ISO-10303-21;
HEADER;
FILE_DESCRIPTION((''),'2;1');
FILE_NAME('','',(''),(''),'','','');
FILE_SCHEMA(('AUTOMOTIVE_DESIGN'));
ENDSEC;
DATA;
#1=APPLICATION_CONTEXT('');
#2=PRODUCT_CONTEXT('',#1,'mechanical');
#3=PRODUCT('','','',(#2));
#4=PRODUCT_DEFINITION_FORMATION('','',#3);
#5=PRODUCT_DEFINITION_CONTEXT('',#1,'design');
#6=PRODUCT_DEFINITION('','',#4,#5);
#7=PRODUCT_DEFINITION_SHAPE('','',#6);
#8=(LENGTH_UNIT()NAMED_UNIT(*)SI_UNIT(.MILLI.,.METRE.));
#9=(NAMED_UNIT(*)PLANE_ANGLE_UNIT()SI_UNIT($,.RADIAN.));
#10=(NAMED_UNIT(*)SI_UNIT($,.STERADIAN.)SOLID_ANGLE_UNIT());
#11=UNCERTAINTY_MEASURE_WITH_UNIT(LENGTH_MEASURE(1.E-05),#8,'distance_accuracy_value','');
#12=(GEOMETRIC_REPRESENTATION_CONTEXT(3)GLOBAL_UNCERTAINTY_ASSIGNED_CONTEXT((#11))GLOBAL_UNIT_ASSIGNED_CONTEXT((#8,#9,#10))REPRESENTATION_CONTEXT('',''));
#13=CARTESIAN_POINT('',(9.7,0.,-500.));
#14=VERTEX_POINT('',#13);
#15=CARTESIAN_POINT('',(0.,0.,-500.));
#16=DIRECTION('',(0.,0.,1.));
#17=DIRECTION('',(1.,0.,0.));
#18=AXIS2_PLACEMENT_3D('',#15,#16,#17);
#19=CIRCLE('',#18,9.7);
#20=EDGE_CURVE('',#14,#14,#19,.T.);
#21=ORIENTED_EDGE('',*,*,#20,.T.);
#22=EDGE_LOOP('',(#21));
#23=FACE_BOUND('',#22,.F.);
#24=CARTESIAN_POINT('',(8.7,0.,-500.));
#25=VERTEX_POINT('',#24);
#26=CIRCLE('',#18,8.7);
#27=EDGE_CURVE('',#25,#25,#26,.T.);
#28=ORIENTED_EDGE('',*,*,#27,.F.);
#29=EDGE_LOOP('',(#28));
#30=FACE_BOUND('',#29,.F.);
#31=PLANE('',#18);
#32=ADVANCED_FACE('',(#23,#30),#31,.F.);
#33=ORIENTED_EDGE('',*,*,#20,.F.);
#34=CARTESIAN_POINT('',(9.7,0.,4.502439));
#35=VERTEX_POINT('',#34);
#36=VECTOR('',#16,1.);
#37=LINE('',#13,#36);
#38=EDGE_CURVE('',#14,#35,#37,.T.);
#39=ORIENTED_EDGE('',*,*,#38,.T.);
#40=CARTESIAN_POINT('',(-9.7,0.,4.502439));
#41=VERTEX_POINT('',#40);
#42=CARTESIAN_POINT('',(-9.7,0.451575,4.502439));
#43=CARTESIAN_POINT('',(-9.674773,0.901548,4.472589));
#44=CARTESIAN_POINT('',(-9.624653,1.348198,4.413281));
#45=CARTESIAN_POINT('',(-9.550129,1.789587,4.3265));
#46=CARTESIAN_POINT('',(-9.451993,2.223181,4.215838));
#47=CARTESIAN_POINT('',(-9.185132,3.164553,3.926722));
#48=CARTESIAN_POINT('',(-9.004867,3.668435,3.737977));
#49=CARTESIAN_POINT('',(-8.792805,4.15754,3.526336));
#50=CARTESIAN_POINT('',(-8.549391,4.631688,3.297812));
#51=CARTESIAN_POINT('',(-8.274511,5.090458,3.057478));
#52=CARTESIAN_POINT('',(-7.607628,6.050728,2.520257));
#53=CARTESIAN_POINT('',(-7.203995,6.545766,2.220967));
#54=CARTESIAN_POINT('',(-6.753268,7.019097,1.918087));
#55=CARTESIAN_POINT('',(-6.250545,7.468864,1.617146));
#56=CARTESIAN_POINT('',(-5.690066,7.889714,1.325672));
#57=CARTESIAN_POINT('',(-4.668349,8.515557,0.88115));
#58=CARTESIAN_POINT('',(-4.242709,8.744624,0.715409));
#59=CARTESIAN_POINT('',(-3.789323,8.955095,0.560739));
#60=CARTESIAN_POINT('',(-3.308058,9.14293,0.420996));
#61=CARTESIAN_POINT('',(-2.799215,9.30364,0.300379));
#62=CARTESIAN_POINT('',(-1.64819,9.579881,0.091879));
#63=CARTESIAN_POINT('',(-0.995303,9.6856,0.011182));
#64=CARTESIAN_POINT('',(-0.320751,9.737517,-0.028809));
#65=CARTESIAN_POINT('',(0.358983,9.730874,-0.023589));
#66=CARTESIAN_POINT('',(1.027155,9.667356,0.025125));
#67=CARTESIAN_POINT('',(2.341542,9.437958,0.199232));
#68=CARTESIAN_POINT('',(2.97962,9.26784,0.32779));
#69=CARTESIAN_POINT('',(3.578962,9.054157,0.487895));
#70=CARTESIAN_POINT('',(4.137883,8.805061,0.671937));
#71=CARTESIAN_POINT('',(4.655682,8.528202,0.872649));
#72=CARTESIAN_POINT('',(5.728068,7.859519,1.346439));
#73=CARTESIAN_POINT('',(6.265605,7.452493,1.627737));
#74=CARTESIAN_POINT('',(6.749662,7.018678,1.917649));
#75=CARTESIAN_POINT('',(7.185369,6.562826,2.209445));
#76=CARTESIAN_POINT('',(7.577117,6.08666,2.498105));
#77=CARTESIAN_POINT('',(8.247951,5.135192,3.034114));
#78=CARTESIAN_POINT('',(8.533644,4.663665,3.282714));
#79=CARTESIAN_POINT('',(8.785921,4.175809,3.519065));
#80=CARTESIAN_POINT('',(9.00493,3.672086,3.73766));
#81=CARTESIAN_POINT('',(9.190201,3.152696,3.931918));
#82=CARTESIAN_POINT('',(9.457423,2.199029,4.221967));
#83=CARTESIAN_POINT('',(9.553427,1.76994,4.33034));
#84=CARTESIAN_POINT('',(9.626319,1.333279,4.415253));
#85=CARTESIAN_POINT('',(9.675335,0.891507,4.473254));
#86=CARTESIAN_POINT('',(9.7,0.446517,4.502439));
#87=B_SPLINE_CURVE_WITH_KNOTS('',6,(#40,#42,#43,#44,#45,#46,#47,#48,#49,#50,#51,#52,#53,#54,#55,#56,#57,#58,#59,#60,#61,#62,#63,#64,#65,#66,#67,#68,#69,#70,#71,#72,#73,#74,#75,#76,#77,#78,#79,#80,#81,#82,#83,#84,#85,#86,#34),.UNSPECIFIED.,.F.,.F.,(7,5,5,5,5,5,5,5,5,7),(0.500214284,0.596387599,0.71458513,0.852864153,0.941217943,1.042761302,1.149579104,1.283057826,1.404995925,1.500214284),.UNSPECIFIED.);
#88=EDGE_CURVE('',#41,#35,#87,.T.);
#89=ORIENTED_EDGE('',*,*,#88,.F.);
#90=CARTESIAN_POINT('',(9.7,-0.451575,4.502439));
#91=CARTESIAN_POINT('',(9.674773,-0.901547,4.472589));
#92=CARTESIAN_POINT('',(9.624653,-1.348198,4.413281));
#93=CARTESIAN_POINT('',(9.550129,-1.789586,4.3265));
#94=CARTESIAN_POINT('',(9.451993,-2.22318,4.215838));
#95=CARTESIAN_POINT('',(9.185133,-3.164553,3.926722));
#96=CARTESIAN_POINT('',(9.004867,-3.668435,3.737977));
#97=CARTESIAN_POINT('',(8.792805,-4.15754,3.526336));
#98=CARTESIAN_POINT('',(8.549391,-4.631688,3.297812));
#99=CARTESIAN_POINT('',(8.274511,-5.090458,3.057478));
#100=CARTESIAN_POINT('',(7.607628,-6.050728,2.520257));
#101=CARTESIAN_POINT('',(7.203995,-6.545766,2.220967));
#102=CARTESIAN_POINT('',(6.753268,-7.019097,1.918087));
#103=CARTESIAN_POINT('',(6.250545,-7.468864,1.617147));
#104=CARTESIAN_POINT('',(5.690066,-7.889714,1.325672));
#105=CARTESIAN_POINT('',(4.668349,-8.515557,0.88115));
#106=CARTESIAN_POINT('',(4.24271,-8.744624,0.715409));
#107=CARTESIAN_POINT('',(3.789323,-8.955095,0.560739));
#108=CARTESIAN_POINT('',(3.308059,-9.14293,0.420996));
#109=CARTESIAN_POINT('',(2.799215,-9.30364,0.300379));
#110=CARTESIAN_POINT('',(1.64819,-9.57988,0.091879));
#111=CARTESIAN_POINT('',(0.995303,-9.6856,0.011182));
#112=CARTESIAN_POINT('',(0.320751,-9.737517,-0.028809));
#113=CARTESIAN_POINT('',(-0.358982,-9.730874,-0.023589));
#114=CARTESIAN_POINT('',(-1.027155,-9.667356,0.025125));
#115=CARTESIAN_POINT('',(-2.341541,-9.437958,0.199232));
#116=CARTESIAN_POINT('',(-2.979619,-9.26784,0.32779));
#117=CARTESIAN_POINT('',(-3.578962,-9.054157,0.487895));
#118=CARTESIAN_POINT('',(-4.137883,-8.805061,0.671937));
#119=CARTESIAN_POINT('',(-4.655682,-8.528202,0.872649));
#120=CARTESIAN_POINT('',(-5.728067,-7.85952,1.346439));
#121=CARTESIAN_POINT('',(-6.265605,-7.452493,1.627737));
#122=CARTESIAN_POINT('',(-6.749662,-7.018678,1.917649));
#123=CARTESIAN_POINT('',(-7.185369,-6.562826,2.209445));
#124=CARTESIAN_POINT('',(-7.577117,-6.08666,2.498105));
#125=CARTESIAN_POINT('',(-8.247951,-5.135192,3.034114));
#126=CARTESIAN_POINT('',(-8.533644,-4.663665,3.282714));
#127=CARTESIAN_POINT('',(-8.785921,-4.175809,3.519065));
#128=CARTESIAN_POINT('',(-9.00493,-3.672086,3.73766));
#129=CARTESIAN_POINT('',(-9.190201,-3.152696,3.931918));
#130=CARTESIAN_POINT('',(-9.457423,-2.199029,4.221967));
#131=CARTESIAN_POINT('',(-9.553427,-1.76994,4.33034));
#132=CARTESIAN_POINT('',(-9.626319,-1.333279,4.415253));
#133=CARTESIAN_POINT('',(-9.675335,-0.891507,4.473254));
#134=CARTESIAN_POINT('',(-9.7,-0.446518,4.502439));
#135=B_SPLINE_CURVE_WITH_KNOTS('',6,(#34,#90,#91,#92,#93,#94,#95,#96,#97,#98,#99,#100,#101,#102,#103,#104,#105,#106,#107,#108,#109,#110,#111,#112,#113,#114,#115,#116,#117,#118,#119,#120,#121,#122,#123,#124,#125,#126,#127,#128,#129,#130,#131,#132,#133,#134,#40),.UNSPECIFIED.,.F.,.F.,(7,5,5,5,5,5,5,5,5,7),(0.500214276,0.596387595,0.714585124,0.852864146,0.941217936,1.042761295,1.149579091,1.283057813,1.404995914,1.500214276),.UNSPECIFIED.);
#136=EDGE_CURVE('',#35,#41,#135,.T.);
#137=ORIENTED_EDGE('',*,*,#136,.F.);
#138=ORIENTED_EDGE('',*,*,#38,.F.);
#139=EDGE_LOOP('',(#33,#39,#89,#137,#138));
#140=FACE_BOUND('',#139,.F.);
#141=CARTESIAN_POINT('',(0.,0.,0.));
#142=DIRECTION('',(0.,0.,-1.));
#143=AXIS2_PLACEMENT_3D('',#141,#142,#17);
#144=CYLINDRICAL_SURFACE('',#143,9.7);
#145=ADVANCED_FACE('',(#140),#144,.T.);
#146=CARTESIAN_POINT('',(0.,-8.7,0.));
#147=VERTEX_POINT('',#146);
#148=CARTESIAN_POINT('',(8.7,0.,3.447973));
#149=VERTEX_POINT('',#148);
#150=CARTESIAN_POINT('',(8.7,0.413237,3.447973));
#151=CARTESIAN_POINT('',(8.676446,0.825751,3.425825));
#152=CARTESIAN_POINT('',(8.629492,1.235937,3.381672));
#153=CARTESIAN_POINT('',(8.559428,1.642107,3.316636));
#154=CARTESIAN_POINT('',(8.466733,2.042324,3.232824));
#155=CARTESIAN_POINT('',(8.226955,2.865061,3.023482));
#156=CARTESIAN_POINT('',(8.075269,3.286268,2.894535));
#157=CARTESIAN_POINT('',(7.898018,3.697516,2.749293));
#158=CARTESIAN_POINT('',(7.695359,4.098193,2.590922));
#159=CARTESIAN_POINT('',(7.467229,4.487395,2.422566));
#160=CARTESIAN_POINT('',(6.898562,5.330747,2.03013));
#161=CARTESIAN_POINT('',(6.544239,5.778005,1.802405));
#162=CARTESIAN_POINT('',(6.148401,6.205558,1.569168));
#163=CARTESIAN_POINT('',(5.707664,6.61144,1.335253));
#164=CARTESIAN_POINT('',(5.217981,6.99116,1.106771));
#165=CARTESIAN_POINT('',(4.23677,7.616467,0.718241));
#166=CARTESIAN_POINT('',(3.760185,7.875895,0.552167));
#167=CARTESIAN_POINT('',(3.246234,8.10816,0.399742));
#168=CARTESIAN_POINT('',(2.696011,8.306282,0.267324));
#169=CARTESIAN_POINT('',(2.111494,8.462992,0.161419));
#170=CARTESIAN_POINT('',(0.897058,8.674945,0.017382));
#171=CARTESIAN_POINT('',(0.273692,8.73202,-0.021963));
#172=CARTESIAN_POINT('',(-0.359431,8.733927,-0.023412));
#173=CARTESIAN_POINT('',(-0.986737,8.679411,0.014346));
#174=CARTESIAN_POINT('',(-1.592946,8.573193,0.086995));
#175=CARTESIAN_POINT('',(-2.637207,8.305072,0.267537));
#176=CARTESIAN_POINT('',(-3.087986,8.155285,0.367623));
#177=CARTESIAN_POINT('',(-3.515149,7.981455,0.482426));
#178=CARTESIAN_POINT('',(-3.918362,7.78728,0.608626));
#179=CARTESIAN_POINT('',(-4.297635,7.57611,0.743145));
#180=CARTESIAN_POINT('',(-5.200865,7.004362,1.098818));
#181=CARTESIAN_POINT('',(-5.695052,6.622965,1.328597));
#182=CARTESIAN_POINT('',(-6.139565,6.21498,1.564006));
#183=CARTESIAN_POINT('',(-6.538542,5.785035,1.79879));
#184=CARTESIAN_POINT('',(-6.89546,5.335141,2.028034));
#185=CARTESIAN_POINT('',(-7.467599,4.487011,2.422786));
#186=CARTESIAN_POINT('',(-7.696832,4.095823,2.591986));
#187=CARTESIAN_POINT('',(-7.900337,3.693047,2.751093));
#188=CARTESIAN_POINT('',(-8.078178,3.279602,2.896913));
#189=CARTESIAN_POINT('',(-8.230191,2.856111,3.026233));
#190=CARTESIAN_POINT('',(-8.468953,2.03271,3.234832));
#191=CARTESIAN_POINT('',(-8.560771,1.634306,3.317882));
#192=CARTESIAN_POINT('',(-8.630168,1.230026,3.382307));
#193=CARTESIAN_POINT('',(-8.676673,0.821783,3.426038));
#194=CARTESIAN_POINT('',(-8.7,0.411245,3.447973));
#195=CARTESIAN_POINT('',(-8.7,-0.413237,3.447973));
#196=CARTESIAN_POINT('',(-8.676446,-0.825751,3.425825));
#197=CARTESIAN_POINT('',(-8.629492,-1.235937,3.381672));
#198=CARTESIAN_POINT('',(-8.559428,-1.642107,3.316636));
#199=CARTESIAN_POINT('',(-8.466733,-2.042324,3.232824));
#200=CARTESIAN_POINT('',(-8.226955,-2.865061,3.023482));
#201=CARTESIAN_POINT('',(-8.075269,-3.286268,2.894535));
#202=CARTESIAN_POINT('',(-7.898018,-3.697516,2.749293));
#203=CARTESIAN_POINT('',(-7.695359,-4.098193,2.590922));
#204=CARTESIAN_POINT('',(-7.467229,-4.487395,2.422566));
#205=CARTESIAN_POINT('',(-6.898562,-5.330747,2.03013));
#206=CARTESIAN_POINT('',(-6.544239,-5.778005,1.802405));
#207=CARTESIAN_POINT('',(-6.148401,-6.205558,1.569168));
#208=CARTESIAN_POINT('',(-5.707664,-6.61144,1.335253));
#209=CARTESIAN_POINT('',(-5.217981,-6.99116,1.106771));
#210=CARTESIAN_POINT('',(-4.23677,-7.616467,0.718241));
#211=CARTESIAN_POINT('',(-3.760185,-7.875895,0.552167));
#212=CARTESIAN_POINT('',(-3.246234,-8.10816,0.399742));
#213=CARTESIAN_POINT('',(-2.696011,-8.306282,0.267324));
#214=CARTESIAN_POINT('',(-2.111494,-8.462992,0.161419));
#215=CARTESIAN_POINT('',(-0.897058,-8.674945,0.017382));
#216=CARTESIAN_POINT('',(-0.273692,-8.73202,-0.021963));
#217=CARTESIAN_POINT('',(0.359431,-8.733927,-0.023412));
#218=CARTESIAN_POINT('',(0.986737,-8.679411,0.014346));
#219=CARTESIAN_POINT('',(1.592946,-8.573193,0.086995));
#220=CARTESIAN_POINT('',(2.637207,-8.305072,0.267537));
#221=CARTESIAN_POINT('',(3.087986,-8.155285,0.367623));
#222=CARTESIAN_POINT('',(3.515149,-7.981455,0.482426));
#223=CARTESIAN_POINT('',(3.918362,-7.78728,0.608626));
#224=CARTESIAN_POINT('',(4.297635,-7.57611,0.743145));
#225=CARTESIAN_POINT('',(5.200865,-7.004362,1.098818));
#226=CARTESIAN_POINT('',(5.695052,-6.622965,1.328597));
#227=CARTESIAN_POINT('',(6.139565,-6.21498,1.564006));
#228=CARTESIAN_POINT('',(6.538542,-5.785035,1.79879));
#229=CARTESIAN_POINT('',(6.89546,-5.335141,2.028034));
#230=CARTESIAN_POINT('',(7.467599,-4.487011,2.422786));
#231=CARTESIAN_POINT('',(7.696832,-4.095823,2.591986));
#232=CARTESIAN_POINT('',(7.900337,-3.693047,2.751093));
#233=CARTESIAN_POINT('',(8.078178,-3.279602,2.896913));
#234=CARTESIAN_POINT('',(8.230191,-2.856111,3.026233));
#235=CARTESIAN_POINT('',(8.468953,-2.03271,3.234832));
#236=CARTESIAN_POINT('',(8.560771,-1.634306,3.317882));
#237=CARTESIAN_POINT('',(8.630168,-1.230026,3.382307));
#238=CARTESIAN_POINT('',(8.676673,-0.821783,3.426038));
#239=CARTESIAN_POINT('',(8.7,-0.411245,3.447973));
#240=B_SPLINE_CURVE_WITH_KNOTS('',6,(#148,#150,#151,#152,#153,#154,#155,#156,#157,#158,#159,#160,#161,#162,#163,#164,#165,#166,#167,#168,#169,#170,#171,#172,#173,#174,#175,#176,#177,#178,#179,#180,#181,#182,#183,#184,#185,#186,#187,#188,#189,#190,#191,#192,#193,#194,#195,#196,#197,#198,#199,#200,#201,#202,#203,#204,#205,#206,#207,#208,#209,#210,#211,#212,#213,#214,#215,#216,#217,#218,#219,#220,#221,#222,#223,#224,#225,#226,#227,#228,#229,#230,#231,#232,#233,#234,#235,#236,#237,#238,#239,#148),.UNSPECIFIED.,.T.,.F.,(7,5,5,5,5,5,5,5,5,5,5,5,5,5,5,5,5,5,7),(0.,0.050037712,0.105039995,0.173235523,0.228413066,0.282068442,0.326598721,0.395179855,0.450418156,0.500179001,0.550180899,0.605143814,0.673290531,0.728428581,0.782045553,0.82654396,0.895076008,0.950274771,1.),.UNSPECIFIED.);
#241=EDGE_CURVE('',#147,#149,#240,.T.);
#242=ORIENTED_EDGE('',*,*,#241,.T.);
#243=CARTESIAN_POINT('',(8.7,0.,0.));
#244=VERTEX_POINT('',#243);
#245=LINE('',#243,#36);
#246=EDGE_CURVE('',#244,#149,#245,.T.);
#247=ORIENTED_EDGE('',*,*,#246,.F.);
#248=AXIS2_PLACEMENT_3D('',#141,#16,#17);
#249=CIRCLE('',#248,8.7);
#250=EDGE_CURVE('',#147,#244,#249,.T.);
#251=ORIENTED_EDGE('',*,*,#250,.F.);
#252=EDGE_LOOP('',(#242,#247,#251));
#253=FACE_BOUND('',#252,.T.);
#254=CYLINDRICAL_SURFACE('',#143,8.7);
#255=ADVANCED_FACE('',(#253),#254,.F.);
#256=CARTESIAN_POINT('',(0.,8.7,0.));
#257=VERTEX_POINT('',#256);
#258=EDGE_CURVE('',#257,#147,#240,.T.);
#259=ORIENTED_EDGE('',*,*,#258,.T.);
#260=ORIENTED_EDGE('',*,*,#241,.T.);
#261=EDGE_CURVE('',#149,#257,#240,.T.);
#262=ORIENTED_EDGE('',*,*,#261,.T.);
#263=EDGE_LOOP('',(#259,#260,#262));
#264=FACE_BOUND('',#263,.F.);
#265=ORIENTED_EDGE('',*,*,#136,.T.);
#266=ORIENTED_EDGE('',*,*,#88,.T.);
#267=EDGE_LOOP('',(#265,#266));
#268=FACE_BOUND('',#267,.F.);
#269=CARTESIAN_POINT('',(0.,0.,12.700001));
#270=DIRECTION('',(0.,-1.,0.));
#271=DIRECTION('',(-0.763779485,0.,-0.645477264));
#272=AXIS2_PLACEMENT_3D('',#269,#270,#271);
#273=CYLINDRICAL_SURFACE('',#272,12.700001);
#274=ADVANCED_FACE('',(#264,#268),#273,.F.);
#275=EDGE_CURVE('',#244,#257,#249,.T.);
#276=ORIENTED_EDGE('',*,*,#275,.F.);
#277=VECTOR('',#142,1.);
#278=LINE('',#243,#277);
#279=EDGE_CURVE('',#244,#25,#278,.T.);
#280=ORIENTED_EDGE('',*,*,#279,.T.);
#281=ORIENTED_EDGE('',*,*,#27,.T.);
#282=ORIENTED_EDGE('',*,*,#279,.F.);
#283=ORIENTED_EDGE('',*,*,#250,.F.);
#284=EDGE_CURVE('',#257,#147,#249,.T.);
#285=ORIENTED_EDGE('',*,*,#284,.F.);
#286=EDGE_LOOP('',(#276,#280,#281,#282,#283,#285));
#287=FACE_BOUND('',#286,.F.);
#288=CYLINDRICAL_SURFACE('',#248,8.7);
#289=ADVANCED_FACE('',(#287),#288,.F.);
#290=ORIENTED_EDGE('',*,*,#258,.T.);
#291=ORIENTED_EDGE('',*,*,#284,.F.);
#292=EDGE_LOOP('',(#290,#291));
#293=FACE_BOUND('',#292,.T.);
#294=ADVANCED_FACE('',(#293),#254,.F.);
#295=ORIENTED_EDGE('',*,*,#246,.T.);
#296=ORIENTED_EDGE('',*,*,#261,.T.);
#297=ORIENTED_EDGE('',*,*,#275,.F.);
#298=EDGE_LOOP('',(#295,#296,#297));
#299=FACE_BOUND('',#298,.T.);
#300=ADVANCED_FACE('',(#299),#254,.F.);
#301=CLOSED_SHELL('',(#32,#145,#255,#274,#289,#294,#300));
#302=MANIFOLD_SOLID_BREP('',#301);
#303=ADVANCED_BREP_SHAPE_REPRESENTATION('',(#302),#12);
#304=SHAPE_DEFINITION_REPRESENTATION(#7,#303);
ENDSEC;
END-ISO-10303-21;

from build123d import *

# Parameters (mm, degrees)
F0_R     = 9.7
F0_R_2   = 8.7
F1_DEPTH = 500
F3_DEPTH = 10
F4_DEPTH = 12.5


with BuildPart() as f1:
    # F0 (on Top) → F1 (new body)
    with BuildSketch(Plane.XY):
        Circle(F0_R)
        Circle(F0_R_2, mode=Mode.SUBTRACT)
    extrude(amount=-F1_DEPTH)

    # F0 (on Top) → F3 (join)
    with BuildSketch(Plane.XY):
        Circle(F0_R)
        Circle(F0_R_2, mode=Mode.SUBTRACT)
    extrude(amount=F3_DEPTH)

    # F2 (on Front) → F4 (cut, symmetric)
    with BuildSketch(Plane.XZ):
        with BuildLine():
            Line((-9.7, 10), (-9.7, 4.502439))
            ThreePointArc((-9.7, 4.502439), (0, 0), (9.7, 4.502439))
            Line((9.7, 4.502439), (9.7, 10))
            Line((9.7, 10), (-9.7, 10))
        make_face()
    extrude(amount=F4_DEPTH, both=True, mode=Mode.SUBTRACT)


solid = f1.part
